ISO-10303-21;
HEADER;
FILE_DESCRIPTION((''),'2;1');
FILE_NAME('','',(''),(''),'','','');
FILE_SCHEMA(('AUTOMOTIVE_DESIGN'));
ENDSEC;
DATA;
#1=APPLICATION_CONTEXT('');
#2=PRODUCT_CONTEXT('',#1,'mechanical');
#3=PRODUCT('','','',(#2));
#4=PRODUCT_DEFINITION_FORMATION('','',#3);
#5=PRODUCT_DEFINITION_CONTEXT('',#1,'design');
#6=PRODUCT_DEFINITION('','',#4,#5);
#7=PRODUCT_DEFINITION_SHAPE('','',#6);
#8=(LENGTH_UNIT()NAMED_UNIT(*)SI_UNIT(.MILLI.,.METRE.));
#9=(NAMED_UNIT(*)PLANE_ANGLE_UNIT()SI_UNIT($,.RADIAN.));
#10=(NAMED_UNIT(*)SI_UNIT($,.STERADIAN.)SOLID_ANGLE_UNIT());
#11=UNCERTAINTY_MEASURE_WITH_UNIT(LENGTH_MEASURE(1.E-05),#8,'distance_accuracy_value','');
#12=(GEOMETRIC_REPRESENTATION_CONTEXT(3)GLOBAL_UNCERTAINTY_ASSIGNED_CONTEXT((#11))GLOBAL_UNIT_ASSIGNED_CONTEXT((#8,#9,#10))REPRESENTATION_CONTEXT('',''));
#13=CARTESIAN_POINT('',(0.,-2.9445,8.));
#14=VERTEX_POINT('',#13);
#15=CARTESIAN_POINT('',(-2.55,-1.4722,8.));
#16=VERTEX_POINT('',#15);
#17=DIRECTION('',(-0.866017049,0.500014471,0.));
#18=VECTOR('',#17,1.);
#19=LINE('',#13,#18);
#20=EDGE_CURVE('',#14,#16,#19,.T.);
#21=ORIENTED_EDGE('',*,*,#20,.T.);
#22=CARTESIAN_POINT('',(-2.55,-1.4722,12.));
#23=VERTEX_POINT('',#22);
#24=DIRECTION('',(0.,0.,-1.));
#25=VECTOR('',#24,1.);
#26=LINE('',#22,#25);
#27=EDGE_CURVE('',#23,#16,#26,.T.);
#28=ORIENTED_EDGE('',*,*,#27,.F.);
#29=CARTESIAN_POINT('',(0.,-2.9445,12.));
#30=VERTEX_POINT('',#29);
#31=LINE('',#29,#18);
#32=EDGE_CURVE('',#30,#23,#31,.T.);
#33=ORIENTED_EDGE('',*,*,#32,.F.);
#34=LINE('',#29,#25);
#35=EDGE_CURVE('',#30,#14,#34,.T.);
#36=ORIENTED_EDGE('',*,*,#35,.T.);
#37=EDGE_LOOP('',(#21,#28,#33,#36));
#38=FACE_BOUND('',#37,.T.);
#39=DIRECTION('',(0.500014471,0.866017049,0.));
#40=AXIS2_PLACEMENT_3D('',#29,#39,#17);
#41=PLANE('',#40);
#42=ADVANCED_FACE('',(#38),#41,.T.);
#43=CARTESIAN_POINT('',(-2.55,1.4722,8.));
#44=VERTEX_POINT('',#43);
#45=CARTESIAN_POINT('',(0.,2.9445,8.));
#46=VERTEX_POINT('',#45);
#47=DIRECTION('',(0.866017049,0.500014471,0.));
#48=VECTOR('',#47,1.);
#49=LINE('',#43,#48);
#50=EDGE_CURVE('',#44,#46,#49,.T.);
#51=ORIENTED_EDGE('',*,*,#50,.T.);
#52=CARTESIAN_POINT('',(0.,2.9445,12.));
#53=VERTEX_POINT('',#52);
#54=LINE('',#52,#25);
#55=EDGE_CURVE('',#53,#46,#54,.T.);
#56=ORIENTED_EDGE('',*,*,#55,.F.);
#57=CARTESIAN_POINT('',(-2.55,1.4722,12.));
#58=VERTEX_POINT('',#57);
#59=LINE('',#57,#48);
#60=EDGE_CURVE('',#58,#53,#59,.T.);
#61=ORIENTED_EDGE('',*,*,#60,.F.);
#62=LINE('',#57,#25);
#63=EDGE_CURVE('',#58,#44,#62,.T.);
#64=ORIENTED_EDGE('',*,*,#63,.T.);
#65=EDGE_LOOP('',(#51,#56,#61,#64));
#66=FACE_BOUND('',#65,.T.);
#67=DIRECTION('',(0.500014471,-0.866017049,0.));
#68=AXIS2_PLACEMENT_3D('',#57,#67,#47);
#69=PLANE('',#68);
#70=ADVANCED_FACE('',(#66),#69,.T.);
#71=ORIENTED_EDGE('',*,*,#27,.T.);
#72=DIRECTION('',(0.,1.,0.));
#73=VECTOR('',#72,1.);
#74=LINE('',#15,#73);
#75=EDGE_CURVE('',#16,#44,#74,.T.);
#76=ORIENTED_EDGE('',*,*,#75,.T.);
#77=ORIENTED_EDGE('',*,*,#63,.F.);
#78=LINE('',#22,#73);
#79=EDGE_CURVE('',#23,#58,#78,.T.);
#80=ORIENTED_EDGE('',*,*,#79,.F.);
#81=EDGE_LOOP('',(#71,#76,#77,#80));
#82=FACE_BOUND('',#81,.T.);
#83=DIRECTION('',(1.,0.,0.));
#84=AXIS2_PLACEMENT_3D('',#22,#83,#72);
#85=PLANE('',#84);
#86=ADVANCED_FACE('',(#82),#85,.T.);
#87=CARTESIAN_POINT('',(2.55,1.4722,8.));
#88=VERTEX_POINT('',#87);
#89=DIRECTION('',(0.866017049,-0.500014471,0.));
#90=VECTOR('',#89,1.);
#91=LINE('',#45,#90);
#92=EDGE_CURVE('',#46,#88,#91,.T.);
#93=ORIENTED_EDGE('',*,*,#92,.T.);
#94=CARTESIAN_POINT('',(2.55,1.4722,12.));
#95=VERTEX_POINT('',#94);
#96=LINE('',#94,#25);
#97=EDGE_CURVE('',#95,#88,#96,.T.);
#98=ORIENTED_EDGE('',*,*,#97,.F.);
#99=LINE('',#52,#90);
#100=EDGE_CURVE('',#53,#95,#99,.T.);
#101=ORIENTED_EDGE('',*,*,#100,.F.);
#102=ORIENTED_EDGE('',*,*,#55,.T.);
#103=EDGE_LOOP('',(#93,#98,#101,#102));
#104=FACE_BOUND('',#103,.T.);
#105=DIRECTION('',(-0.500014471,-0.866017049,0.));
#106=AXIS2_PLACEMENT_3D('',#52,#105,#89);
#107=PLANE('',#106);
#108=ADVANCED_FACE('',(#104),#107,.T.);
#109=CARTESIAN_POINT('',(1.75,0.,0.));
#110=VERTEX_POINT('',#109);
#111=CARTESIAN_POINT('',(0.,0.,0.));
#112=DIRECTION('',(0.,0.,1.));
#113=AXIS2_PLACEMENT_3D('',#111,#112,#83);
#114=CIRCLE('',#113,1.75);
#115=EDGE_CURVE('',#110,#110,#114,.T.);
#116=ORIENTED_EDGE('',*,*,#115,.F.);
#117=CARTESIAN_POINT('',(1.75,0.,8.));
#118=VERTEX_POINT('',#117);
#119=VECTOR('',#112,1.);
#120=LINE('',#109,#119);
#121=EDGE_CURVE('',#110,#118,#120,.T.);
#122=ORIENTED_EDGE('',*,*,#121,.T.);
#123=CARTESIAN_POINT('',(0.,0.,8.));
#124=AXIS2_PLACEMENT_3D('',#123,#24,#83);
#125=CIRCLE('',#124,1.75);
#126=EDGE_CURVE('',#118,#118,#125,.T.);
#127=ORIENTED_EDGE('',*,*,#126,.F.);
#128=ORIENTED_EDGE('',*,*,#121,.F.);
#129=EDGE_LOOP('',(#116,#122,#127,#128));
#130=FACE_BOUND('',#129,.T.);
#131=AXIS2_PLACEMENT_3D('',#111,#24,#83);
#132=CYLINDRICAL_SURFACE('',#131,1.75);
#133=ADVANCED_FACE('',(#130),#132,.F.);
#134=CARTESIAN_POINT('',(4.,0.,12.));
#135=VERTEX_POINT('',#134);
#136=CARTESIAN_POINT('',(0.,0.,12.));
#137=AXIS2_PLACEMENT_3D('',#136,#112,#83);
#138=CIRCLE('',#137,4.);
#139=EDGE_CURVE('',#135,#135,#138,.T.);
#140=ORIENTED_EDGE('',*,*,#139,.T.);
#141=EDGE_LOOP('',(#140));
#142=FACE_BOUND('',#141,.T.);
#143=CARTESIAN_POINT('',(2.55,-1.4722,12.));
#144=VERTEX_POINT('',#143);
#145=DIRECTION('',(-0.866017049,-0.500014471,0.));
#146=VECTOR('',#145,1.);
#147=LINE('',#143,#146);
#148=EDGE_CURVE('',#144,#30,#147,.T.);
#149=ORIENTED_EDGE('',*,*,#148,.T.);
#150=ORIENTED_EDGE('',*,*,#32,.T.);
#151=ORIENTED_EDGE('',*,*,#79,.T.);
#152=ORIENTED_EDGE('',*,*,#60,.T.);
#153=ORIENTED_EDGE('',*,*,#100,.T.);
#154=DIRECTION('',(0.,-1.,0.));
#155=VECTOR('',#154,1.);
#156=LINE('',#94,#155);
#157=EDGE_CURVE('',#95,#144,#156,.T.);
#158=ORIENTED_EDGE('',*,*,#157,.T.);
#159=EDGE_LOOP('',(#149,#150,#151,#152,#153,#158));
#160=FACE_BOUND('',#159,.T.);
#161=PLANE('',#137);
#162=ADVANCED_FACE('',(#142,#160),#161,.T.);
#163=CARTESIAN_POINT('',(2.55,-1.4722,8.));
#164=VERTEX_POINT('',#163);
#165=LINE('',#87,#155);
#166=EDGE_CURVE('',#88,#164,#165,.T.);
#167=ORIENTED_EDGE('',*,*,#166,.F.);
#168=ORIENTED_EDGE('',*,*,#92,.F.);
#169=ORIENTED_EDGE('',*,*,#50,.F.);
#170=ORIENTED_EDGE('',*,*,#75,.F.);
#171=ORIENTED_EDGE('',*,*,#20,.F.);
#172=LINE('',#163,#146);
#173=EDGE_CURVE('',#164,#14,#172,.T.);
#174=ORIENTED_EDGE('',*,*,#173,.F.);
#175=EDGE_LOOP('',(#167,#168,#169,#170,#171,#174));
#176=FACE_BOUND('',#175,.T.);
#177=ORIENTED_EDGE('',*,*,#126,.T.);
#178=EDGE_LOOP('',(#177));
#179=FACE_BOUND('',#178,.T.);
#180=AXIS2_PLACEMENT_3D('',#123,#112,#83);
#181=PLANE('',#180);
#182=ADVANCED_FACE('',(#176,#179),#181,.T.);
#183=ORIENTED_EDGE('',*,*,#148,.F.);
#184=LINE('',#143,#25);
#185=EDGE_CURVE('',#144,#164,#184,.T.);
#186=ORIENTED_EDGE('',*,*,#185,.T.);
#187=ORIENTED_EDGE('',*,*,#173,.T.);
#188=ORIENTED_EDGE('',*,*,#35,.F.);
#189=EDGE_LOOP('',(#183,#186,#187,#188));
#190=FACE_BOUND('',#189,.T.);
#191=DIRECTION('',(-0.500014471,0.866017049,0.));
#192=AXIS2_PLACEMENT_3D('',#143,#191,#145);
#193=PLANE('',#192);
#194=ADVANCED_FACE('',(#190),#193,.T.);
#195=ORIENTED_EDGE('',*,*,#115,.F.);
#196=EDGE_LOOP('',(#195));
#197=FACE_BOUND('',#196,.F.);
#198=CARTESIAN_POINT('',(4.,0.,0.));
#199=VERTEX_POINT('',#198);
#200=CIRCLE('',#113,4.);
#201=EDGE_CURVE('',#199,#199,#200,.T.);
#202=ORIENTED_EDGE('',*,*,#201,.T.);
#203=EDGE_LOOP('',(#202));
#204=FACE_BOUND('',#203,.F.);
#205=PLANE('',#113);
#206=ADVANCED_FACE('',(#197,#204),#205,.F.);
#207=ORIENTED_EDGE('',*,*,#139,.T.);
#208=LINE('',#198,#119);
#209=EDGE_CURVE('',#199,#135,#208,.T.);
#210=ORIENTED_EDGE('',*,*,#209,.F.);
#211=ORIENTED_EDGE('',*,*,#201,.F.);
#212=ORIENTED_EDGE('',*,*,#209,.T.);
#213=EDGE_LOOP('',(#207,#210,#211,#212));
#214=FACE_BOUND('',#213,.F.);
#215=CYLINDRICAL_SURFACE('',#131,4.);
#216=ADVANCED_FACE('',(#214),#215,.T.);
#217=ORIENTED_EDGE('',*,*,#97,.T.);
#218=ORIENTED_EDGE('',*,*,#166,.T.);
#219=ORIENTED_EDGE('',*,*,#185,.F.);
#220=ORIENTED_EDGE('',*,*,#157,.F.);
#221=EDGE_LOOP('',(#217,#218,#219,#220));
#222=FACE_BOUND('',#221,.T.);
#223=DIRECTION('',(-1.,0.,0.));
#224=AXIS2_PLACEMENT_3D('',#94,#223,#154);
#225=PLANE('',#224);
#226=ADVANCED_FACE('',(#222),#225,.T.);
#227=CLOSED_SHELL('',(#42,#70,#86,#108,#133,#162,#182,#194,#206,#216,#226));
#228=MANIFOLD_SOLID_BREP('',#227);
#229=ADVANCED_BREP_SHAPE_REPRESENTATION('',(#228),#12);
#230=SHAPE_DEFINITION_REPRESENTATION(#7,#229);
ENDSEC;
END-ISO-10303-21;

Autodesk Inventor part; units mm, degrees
ref_plane "YZ Plane" through (0, 0, 0) normal (1, 0, 0) x (0, 1, 0)
ref_plane "XZ Plane" through (0, 0, 0) normal (0, 1, 0) x (-1, 0, 0)
ref_plane "XY Plane" through (0, 0, 0) normal (0, 0, 1) x (1, 0, 0)
sketch "Skizze1" plane through (0, 0, 0) normal (0, 0, 1) x (1, 0, 0)
  circle A0 centre (0, 0) radius 4
  circle A1 centre (0, 0) radius 1.75
  dimension "d0" = 3.5
  dimension "d1" = 8
extrude "Extrusion1" add sketch "Skizze1" along normal blind 12
sketch "Skizze2" plane through (0, 0, 12) normal (0, 0, 1) x (1, 0, 0)
  circle A0 centre (0, 0) radius 1.75 projected
  circle A1 centre (0, 0) radius 4 projected
  line L0 (0, 2.9445) -> (2.55, 1.4722)
  line L1 (2.55, 1.4722) -> (2.55, -1.4722)
  line L2 (2.55, -1.4722) -> (0, -2.9445)
  line L3 (0, -2.9445) -> (-2.55, -1.4722)
  line L4 (-2.55, -1.4722) -> (-2.55, 1.4722)
  line L5 (-2.55, 1.4722) -> (0, 2.9445)
  dimension "d4" = 5.1
extrude "Extrusion2" cut sketch "Skizze2" against normal blind 4 contours A0 | L0 L1 L2 L3 L4 L5
properties part number "8mm spacer"
